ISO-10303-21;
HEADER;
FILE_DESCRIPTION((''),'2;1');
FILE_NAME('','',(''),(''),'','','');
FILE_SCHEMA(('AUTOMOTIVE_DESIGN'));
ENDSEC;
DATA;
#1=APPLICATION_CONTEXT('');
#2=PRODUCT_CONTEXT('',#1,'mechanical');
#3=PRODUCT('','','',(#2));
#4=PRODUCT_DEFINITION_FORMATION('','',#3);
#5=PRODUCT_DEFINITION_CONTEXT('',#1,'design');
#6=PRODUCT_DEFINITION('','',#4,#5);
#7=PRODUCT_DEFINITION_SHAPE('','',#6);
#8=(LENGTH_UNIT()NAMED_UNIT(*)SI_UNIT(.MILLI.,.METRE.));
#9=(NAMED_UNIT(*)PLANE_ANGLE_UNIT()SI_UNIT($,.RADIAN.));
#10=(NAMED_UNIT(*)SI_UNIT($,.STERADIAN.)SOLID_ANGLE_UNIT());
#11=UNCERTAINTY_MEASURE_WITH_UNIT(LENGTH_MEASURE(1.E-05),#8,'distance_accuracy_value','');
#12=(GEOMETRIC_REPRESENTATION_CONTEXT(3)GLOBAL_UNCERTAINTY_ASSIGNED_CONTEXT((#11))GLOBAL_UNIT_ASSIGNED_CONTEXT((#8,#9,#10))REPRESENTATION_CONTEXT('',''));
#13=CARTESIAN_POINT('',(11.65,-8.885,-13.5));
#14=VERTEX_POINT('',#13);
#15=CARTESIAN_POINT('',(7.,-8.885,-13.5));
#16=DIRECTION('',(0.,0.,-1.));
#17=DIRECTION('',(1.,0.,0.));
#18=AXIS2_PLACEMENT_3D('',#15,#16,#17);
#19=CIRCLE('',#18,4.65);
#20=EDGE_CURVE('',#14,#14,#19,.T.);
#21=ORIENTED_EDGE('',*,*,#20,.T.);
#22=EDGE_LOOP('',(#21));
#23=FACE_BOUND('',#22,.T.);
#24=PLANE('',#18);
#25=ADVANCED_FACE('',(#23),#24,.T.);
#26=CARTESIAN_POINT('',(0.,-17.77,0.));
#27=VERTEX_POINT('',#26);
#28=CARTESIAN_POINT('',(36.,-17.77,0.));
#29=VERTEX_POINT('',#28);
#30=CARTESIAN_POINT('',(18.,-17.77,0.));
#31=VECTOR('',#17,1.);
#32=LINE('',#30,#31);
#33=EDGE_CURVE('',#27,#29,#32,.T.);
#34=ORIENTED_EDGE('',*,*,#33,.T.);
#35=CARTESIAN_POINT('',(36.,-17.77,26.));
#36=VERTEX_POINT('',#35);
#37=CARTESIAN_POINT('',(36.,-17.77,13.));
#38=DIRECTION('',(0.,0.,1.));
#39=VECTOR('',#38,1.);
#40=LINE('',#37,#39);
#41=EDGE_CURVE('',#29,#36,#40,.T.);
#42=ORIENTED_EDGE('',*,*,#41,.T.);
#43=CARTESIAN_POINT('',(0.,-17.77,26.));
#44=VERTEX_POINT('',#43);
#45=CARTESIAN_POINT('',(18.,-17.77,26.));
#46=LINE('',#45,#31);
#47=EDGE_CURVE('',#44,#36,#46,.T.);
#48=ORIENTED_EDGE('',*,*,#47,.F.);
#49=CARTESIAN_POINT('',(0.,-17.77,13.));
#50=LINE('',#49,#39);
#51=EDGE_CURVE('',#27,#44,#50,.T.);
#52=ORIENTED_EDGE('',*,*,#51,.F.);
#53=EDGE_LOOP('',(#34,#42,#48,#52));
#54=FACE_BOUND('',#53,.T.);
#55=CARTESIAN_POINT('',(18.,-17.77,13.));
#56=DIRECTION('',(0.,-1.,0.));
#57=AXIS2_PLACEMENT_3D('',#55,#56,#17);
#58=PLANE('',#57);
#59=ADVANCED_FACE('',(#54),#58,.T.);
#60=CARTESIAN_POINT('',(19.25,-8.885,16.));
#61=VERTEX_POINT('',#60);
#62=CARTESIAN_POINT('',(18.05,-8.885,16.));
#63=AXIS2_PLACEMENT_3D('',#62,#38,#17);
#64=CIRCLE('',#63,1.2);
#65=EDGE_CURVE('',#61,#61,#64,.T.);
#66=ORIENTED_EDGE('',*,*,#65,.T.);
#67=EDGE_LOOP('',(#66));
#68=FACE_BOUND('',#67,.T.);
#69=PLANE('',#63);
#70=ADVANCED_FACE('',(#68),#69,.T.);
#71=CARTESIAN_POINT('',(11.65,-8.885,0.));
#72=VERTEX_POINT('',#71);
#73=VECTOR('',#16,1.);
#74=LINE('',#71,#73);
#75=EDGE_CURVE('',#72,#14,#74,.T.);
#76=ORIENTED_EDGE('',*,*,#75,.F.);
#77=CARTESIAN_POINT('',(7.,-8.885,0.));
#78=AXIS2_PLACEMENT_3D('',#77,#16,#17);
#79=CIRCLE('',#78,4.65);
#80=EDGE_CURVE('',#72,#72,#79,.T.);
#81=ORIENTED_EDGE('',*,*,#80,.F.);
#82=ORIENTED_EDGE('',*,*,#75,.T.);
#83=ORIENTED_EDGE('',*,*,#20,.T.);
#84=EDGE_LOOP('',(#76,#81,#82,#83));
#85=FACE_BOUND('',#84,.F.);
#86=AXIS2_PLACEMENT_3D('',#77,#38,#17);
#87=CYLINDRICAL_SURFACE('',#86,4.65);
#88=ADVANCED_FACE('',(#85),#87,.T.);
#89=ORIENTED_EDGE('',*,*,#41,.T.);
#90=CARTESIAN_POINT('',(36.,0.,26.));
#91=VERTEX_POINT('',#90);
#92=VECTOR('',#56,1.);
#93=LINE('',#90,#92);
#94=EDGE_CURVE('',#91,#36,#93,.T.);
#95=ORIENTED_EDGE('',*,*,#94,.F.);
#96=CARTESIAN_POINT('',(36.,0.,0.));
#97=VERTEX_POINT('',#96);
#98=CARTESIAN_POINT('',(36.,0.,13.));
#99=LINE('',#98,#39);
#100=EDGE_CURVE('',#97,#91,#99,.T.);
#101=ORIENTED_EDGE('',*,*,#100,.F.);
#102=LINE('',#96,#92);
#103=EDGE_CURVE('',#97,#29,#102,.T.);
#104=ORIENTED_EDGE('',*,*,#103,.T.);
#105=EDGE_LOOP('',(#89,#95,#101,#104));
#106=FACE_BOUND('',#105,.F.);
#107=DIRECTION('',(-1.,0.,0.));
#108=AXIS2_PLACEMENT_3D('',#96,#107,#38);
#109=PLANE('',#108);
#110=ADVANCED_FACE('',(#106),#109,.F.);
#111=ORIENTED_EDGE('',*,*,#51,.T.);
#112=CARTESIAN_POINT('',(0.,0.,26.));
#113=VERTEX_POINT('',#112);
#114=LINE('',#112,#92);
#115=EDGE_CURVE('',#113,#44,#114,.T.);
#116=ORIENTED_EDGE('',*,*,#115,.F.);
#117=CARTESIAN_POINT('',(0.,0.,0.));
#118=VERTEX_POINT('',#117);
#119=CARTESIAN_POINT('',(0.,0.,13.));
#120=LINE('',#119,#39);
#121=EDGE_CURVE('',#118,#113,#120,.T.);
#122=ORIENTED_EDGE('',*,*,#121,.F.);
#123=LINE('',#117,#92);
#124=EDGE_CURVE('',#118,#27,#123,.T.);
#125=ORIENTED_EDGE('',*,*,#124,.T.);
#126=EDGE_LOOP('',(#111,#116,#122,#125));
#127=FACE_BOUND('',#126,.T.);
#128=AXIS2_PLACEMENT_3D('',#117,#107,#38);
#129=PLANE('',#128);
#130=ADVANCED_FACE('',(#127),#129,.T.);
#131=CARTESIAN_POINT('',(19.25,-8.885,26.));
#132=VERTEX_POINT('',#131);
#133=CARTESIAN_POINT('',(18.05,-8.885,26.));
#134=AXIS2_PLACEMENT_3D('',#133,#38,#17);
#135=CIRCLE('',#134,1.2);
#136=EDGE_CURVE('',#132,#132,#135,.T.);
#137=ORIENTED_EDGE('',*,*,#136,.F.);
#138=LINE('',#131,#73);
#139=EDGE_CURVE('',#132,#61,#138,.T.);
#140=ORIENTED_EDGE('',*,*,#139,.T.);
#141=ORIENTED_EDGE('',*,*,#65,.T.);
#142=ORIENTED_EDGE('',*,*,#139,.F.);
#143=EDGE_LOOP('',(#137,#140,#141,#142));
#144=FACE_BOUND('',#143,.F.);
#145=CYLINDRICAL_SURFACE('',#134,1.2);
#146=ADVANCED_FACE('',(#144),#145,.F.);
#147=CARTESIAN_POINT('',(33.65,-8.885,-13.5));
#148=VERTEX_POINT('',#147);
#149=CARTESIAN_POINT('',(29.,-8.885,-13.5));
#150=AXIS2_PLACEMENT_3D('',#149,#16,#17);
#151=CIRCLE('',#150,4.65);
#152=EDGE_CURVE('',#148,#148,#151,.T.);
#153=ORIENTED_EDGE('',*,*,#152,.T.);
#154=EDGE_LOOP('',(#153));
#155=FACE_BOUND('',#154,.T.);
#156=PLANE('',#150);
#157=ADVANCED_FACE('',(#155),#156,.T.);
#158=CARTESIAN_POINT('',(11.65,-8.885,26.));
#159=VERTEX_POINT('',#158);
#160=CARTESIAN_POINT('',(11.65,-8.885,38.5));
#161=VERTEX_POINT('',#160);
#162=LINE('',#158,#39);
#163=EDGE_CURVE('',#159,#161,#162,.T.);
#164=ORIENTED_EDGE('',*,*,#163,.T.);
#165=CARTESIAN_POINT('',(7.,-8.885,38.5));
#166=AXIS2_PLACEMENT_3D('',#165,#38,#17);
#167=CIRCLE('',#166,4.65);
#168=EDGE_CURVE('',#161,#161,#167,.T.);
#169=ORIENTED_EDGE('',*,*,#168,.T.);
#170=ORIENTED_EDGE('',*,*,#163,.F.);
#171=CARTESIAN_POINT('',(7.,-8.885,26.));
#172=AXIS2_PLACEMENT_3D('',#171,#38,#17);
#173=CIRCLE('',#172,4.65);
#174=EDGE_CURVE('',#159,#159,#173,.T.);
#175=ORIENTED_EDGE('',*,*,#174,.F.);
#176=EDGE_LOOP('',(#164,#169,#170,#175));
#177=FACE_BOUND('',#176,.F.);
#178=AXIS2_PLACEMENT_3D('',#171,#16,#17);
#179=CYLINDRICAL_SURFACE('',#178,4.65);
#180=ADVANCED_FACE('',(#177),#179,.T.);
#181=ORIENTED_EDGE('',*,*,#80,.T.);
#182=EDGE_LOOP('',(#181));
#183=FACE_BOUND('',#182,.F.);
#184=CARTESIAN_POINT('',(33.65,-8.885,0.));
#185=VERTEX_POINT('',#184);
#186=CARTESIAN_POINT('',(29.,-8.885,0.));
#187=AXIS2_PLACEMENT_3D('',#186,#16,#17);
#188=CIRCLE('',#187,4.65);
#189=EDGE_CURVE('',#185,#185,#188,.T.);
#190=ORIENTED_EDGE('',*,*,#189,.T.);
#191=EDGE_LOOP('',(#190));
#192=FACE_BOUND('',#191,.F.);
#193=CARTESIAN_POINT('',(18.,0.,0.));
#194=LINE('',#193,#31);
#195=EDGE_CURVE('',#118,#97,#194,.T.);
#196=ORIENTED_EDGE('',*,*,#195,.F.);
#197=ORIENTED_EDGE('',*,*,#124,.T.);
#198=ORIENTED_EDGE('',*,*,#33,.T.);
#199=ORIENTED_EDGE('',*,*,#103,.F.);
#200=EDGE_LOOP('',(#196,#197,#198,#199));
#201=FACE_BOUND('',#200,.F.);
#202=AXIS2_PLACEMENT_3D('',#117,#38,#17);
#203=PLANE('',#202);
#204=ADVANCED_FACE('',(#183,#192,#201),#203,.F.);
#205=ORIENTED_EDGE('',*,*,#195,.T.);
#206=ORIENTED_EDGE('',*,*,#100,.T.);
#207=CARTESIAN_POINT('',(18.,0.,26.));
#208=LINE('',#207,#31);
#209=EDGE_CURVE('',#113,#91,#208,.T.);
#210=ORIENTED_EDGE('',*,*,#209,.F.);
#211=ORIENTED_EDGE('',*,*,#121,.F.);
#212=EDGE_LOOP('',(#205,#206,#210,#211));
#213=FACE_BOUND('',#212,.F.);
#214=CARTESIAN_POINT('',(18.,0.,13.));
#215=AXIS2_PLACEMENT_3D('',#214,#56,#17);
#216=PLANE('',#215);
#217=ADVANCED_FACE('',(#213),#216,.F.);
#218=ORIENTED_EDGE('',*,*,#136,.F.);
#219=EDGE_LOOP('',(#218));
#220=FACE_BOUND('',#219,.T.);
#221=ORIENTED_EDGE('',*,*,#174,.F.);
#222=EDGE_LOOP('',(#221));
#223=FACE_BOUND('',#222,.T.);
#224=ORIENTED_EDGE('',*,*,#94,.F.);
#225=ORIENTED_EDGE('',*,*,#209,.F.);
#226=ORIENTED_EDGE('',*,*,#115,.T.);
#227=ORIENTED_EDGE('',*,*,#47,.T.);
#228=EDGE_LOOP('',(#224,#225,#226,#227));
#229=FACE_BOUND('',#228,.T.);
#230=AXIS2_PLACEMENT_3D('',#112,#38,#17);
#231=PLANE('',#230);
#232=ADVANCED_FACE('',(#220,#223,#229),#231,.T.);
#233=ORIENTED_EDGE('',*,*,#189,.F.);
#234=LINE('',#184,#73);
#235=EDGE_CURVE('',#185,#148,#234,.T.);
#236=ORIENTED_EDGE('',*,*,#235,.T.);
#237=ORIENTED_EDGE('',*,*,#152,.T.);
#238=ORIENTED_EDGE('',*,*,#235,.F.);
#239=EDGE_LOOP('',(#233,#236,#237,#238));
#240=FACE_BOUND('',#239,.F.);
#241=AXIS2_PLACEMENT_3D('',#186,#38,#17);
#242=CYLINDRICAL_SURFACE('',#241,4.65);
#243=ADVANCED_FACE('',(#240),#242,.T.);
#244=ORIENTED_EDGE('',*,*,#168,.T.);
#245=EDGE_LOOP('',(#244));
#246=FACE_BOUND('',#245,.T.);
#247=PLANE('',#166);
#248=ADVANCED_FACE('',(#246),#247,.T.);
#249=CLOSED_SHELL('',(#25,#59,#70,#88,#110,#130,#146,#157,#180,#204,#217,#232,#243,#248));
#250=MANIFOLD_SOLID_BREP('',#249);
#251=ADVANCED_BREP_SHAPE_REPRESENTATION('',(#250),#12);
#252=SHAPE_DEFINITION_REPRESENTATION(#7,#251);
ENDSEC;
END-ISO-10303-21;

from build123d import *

# Parameters (mm, degrees)
F0_W     = 36
F0_H     = 26
F1_DEPTH = 17.77
F2_R     = 4.65
F3_DEPTH = 12.5
F2_R_2   = 1.2
F4_DEPTH = 10
F5_R     = 4.65
F6_DEPTH = 13.5


with BuildPart() as f1:
    # F0 (on Front) → F1 (new body)
    with BuildSketch(Plane.XZ):
        with Locations((18, 13)):
            Rectangle(F0_W, F0_H)
    extrude(amount=F1_DEPTH)

    # F2 (on face) → F3 (join)
    with BuildSketch(Plane.XY.offset(26)):
        with Locations((7, -8.885)):
            Circle(F2_R)
    extrude(amount=F3_DEPTH)

    # F2 (on face) → F4 (cut)
    with BuildSketch(Plane.XY.offset(26)):
        with Locations((18.05, -8.885)):
            Circle(F2_R_2)
    extrude(amount=-F4_DEPTH, mode=Mode.SUBTRACT)

    # F5 (on face) → F6 (join)
    with BuildSketch(Plane(origin=(0, 0, 0), x_dir=(1, 0, 0), z_dir=(0, 0, -1))):
        with Locations((7, 8.885)):
            Circle(F5_R)
        with Locations((29, 8.885)):
            Circle(F5_R)
    extrude(amount=F6_DEPTH)


solid = f1.part
